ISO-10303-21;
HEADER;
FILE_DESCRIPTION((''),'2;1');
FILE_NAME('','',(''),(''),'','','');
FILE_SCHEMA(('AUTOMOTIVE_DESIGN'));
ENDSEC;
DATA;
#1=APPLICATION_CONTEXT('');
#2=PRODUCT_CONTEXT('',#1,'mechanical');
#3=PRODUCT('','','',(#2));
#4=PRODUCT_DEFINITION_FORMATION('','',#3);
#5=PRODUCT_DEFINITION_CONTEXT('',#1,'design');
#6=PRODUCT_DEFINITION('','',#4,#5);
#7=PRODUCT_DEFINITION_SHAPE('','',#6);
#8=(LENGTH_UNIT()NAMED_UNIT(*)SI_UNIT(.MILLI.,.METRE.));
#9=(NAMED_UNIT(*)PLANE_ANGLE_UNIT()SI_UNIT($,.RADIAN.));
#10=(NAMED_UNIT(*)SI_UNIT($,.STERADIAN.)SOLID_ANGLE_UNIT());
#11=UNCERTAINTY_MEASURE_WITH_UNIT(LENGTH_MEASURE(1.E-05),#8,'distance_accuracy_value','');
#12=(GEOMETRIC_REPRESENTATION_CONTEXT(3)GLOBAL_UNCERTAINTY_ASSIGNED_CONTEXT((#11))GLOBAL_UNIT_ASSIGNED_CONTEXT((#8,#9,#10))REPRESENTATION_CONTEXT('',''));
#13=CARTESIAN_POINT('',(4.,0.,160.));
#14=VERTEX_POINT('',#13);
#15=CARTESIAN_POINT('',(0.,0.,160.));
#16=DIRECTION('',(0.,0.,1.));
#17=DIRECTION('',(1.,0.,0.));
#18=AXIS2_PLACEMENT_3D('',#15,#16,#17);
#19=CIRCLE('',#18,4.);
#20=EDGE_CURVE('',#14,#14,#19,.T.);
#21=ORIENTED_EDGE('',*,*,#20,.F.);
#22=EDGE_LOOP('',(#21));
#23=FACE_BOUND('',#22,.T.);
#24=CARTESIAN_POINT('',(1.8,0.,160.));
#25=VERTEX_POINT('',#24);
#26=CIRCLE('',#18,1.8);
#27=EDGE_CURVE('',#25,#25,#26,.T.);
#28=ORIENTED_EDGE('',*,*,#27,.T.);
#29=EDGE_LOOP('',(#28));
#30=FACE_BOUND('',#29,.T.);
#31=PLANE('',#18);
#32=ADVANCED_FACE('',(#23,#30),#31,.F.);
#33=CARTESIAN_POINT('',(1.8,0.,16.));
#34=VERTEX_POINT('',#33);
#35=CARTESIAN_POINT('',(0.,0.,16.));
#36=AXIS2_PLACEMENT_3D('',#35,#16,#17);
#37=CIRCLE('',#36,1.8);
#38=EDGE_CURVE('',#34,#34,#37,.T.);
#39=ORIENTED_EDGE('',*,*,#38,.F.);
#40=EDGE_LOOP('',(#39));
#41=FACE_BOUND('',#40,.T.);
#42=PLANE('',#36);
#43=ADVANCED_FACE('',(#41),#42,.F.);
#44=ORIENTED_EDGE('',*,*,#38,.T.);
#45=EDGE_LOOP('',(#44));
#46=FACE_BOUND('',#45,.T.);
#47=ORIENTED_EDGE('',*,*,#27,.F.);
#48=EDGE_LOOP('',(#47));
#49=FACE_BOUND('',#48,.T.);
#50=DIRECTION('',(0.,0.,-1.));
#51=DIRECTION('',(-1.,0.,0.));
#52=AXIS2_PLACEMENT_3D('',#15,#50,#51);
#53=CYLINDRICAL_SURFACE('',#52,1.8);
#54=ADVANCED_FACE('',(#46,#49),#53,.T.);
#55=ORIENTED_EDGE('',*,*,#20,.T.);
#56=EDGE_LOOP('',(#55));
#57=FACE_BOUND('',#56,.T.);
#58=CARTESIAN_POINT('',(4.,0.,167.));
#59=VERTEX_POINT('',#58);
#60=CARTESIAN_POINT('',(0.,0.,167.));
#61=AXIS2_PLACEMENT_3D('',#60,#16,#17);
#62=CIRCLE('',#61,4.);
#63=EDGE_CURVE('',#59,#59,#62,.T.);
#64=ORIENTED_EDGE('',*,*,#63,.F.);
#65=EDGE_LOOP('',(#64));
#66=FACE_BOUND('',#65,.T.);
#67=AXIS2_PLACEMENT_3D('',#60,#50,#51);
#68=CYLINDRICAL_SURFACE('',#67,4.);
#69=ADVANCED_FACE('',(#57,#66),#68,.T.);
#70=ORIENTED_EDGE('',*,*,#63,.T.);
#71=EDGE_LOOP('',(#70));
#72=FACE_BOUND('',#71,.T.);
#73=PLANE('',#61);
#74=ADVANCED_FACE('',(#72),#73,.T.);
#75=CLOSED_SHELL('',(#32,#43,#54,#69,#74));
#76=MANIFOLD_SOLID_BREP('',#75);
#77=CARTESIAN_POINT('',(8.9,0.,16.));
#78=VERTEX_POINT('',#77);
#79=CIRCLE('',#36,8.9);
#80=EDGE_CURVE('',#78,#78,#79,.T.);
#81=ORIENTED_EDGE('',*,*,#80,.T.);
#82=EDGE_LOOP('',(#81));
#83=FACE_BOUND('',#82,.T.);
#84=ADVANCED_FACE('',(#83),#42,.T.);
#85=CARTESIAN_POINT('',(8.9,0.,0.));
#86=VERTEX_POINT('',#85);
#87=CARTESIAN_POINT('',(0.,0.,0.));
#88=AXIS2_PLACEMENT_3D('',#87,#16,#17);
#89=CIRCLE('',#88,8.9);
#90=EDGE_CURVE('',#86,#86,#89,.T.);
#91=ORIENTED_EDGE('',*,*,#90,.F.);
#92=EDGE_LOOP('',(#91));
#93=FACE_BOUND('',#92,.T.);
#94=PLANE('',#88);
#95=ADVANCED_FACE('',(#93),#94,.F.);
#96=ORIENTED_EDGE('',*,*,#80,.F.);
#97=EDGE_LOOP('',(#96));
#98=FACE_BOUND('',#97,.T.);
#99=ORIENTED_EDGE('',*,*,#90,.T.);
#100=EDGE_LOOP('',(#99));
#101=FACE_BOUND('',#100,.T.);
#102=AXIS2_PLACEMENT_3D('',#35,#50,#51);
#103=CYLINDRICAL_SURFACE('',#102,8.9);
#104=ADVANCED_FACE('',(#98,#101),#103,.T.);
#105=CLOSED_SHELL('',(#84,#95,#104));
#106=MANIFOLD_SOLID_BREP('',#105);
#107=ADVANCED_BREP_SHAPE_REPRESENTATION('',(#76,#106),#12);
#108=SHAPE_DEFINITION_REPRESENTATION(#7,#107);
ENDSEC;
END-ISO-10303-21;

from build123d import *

# Parameters (mm, degrees)
SKETCH1_R           = 8.9
BOSS_EXTRUDE1_DEPTH = 16
SKETCH2_R           = 1.8
BOSS_EXTRUDE2_DEPTH = 144
SKETCH4_R           = 4
BOSS_EXTRUDE3_DEPTH = 7


with BuildPart() as part:
    # Sketch1 → Boss-Extrude1 (new body)
    with BuildSketch(Plane.XY):
        Circle(SKETCH1_R)
    extrude(amount=BOSS_EXTRUDE1_DEPTH)


with BuildPart() as body_2:
    # Sketch2 → Boss-Extrude2 (new body)
    with BuildSketch(Plane.XY.offset(16)):
        Circle(SKETCH2_R)
    extrude(amount=BOSS_EXTRUDE2_DEPTH)

    # Sketch4 → Boss-Extrude3 (add)
    with BuildSketch(Plane.XY.offset(160)):
        Circle(SKETCH4_R)
    extrude(amount=BOSS_EXTRUDE3_DEPTH)


solid = Compound([part.part, body_2.part])
